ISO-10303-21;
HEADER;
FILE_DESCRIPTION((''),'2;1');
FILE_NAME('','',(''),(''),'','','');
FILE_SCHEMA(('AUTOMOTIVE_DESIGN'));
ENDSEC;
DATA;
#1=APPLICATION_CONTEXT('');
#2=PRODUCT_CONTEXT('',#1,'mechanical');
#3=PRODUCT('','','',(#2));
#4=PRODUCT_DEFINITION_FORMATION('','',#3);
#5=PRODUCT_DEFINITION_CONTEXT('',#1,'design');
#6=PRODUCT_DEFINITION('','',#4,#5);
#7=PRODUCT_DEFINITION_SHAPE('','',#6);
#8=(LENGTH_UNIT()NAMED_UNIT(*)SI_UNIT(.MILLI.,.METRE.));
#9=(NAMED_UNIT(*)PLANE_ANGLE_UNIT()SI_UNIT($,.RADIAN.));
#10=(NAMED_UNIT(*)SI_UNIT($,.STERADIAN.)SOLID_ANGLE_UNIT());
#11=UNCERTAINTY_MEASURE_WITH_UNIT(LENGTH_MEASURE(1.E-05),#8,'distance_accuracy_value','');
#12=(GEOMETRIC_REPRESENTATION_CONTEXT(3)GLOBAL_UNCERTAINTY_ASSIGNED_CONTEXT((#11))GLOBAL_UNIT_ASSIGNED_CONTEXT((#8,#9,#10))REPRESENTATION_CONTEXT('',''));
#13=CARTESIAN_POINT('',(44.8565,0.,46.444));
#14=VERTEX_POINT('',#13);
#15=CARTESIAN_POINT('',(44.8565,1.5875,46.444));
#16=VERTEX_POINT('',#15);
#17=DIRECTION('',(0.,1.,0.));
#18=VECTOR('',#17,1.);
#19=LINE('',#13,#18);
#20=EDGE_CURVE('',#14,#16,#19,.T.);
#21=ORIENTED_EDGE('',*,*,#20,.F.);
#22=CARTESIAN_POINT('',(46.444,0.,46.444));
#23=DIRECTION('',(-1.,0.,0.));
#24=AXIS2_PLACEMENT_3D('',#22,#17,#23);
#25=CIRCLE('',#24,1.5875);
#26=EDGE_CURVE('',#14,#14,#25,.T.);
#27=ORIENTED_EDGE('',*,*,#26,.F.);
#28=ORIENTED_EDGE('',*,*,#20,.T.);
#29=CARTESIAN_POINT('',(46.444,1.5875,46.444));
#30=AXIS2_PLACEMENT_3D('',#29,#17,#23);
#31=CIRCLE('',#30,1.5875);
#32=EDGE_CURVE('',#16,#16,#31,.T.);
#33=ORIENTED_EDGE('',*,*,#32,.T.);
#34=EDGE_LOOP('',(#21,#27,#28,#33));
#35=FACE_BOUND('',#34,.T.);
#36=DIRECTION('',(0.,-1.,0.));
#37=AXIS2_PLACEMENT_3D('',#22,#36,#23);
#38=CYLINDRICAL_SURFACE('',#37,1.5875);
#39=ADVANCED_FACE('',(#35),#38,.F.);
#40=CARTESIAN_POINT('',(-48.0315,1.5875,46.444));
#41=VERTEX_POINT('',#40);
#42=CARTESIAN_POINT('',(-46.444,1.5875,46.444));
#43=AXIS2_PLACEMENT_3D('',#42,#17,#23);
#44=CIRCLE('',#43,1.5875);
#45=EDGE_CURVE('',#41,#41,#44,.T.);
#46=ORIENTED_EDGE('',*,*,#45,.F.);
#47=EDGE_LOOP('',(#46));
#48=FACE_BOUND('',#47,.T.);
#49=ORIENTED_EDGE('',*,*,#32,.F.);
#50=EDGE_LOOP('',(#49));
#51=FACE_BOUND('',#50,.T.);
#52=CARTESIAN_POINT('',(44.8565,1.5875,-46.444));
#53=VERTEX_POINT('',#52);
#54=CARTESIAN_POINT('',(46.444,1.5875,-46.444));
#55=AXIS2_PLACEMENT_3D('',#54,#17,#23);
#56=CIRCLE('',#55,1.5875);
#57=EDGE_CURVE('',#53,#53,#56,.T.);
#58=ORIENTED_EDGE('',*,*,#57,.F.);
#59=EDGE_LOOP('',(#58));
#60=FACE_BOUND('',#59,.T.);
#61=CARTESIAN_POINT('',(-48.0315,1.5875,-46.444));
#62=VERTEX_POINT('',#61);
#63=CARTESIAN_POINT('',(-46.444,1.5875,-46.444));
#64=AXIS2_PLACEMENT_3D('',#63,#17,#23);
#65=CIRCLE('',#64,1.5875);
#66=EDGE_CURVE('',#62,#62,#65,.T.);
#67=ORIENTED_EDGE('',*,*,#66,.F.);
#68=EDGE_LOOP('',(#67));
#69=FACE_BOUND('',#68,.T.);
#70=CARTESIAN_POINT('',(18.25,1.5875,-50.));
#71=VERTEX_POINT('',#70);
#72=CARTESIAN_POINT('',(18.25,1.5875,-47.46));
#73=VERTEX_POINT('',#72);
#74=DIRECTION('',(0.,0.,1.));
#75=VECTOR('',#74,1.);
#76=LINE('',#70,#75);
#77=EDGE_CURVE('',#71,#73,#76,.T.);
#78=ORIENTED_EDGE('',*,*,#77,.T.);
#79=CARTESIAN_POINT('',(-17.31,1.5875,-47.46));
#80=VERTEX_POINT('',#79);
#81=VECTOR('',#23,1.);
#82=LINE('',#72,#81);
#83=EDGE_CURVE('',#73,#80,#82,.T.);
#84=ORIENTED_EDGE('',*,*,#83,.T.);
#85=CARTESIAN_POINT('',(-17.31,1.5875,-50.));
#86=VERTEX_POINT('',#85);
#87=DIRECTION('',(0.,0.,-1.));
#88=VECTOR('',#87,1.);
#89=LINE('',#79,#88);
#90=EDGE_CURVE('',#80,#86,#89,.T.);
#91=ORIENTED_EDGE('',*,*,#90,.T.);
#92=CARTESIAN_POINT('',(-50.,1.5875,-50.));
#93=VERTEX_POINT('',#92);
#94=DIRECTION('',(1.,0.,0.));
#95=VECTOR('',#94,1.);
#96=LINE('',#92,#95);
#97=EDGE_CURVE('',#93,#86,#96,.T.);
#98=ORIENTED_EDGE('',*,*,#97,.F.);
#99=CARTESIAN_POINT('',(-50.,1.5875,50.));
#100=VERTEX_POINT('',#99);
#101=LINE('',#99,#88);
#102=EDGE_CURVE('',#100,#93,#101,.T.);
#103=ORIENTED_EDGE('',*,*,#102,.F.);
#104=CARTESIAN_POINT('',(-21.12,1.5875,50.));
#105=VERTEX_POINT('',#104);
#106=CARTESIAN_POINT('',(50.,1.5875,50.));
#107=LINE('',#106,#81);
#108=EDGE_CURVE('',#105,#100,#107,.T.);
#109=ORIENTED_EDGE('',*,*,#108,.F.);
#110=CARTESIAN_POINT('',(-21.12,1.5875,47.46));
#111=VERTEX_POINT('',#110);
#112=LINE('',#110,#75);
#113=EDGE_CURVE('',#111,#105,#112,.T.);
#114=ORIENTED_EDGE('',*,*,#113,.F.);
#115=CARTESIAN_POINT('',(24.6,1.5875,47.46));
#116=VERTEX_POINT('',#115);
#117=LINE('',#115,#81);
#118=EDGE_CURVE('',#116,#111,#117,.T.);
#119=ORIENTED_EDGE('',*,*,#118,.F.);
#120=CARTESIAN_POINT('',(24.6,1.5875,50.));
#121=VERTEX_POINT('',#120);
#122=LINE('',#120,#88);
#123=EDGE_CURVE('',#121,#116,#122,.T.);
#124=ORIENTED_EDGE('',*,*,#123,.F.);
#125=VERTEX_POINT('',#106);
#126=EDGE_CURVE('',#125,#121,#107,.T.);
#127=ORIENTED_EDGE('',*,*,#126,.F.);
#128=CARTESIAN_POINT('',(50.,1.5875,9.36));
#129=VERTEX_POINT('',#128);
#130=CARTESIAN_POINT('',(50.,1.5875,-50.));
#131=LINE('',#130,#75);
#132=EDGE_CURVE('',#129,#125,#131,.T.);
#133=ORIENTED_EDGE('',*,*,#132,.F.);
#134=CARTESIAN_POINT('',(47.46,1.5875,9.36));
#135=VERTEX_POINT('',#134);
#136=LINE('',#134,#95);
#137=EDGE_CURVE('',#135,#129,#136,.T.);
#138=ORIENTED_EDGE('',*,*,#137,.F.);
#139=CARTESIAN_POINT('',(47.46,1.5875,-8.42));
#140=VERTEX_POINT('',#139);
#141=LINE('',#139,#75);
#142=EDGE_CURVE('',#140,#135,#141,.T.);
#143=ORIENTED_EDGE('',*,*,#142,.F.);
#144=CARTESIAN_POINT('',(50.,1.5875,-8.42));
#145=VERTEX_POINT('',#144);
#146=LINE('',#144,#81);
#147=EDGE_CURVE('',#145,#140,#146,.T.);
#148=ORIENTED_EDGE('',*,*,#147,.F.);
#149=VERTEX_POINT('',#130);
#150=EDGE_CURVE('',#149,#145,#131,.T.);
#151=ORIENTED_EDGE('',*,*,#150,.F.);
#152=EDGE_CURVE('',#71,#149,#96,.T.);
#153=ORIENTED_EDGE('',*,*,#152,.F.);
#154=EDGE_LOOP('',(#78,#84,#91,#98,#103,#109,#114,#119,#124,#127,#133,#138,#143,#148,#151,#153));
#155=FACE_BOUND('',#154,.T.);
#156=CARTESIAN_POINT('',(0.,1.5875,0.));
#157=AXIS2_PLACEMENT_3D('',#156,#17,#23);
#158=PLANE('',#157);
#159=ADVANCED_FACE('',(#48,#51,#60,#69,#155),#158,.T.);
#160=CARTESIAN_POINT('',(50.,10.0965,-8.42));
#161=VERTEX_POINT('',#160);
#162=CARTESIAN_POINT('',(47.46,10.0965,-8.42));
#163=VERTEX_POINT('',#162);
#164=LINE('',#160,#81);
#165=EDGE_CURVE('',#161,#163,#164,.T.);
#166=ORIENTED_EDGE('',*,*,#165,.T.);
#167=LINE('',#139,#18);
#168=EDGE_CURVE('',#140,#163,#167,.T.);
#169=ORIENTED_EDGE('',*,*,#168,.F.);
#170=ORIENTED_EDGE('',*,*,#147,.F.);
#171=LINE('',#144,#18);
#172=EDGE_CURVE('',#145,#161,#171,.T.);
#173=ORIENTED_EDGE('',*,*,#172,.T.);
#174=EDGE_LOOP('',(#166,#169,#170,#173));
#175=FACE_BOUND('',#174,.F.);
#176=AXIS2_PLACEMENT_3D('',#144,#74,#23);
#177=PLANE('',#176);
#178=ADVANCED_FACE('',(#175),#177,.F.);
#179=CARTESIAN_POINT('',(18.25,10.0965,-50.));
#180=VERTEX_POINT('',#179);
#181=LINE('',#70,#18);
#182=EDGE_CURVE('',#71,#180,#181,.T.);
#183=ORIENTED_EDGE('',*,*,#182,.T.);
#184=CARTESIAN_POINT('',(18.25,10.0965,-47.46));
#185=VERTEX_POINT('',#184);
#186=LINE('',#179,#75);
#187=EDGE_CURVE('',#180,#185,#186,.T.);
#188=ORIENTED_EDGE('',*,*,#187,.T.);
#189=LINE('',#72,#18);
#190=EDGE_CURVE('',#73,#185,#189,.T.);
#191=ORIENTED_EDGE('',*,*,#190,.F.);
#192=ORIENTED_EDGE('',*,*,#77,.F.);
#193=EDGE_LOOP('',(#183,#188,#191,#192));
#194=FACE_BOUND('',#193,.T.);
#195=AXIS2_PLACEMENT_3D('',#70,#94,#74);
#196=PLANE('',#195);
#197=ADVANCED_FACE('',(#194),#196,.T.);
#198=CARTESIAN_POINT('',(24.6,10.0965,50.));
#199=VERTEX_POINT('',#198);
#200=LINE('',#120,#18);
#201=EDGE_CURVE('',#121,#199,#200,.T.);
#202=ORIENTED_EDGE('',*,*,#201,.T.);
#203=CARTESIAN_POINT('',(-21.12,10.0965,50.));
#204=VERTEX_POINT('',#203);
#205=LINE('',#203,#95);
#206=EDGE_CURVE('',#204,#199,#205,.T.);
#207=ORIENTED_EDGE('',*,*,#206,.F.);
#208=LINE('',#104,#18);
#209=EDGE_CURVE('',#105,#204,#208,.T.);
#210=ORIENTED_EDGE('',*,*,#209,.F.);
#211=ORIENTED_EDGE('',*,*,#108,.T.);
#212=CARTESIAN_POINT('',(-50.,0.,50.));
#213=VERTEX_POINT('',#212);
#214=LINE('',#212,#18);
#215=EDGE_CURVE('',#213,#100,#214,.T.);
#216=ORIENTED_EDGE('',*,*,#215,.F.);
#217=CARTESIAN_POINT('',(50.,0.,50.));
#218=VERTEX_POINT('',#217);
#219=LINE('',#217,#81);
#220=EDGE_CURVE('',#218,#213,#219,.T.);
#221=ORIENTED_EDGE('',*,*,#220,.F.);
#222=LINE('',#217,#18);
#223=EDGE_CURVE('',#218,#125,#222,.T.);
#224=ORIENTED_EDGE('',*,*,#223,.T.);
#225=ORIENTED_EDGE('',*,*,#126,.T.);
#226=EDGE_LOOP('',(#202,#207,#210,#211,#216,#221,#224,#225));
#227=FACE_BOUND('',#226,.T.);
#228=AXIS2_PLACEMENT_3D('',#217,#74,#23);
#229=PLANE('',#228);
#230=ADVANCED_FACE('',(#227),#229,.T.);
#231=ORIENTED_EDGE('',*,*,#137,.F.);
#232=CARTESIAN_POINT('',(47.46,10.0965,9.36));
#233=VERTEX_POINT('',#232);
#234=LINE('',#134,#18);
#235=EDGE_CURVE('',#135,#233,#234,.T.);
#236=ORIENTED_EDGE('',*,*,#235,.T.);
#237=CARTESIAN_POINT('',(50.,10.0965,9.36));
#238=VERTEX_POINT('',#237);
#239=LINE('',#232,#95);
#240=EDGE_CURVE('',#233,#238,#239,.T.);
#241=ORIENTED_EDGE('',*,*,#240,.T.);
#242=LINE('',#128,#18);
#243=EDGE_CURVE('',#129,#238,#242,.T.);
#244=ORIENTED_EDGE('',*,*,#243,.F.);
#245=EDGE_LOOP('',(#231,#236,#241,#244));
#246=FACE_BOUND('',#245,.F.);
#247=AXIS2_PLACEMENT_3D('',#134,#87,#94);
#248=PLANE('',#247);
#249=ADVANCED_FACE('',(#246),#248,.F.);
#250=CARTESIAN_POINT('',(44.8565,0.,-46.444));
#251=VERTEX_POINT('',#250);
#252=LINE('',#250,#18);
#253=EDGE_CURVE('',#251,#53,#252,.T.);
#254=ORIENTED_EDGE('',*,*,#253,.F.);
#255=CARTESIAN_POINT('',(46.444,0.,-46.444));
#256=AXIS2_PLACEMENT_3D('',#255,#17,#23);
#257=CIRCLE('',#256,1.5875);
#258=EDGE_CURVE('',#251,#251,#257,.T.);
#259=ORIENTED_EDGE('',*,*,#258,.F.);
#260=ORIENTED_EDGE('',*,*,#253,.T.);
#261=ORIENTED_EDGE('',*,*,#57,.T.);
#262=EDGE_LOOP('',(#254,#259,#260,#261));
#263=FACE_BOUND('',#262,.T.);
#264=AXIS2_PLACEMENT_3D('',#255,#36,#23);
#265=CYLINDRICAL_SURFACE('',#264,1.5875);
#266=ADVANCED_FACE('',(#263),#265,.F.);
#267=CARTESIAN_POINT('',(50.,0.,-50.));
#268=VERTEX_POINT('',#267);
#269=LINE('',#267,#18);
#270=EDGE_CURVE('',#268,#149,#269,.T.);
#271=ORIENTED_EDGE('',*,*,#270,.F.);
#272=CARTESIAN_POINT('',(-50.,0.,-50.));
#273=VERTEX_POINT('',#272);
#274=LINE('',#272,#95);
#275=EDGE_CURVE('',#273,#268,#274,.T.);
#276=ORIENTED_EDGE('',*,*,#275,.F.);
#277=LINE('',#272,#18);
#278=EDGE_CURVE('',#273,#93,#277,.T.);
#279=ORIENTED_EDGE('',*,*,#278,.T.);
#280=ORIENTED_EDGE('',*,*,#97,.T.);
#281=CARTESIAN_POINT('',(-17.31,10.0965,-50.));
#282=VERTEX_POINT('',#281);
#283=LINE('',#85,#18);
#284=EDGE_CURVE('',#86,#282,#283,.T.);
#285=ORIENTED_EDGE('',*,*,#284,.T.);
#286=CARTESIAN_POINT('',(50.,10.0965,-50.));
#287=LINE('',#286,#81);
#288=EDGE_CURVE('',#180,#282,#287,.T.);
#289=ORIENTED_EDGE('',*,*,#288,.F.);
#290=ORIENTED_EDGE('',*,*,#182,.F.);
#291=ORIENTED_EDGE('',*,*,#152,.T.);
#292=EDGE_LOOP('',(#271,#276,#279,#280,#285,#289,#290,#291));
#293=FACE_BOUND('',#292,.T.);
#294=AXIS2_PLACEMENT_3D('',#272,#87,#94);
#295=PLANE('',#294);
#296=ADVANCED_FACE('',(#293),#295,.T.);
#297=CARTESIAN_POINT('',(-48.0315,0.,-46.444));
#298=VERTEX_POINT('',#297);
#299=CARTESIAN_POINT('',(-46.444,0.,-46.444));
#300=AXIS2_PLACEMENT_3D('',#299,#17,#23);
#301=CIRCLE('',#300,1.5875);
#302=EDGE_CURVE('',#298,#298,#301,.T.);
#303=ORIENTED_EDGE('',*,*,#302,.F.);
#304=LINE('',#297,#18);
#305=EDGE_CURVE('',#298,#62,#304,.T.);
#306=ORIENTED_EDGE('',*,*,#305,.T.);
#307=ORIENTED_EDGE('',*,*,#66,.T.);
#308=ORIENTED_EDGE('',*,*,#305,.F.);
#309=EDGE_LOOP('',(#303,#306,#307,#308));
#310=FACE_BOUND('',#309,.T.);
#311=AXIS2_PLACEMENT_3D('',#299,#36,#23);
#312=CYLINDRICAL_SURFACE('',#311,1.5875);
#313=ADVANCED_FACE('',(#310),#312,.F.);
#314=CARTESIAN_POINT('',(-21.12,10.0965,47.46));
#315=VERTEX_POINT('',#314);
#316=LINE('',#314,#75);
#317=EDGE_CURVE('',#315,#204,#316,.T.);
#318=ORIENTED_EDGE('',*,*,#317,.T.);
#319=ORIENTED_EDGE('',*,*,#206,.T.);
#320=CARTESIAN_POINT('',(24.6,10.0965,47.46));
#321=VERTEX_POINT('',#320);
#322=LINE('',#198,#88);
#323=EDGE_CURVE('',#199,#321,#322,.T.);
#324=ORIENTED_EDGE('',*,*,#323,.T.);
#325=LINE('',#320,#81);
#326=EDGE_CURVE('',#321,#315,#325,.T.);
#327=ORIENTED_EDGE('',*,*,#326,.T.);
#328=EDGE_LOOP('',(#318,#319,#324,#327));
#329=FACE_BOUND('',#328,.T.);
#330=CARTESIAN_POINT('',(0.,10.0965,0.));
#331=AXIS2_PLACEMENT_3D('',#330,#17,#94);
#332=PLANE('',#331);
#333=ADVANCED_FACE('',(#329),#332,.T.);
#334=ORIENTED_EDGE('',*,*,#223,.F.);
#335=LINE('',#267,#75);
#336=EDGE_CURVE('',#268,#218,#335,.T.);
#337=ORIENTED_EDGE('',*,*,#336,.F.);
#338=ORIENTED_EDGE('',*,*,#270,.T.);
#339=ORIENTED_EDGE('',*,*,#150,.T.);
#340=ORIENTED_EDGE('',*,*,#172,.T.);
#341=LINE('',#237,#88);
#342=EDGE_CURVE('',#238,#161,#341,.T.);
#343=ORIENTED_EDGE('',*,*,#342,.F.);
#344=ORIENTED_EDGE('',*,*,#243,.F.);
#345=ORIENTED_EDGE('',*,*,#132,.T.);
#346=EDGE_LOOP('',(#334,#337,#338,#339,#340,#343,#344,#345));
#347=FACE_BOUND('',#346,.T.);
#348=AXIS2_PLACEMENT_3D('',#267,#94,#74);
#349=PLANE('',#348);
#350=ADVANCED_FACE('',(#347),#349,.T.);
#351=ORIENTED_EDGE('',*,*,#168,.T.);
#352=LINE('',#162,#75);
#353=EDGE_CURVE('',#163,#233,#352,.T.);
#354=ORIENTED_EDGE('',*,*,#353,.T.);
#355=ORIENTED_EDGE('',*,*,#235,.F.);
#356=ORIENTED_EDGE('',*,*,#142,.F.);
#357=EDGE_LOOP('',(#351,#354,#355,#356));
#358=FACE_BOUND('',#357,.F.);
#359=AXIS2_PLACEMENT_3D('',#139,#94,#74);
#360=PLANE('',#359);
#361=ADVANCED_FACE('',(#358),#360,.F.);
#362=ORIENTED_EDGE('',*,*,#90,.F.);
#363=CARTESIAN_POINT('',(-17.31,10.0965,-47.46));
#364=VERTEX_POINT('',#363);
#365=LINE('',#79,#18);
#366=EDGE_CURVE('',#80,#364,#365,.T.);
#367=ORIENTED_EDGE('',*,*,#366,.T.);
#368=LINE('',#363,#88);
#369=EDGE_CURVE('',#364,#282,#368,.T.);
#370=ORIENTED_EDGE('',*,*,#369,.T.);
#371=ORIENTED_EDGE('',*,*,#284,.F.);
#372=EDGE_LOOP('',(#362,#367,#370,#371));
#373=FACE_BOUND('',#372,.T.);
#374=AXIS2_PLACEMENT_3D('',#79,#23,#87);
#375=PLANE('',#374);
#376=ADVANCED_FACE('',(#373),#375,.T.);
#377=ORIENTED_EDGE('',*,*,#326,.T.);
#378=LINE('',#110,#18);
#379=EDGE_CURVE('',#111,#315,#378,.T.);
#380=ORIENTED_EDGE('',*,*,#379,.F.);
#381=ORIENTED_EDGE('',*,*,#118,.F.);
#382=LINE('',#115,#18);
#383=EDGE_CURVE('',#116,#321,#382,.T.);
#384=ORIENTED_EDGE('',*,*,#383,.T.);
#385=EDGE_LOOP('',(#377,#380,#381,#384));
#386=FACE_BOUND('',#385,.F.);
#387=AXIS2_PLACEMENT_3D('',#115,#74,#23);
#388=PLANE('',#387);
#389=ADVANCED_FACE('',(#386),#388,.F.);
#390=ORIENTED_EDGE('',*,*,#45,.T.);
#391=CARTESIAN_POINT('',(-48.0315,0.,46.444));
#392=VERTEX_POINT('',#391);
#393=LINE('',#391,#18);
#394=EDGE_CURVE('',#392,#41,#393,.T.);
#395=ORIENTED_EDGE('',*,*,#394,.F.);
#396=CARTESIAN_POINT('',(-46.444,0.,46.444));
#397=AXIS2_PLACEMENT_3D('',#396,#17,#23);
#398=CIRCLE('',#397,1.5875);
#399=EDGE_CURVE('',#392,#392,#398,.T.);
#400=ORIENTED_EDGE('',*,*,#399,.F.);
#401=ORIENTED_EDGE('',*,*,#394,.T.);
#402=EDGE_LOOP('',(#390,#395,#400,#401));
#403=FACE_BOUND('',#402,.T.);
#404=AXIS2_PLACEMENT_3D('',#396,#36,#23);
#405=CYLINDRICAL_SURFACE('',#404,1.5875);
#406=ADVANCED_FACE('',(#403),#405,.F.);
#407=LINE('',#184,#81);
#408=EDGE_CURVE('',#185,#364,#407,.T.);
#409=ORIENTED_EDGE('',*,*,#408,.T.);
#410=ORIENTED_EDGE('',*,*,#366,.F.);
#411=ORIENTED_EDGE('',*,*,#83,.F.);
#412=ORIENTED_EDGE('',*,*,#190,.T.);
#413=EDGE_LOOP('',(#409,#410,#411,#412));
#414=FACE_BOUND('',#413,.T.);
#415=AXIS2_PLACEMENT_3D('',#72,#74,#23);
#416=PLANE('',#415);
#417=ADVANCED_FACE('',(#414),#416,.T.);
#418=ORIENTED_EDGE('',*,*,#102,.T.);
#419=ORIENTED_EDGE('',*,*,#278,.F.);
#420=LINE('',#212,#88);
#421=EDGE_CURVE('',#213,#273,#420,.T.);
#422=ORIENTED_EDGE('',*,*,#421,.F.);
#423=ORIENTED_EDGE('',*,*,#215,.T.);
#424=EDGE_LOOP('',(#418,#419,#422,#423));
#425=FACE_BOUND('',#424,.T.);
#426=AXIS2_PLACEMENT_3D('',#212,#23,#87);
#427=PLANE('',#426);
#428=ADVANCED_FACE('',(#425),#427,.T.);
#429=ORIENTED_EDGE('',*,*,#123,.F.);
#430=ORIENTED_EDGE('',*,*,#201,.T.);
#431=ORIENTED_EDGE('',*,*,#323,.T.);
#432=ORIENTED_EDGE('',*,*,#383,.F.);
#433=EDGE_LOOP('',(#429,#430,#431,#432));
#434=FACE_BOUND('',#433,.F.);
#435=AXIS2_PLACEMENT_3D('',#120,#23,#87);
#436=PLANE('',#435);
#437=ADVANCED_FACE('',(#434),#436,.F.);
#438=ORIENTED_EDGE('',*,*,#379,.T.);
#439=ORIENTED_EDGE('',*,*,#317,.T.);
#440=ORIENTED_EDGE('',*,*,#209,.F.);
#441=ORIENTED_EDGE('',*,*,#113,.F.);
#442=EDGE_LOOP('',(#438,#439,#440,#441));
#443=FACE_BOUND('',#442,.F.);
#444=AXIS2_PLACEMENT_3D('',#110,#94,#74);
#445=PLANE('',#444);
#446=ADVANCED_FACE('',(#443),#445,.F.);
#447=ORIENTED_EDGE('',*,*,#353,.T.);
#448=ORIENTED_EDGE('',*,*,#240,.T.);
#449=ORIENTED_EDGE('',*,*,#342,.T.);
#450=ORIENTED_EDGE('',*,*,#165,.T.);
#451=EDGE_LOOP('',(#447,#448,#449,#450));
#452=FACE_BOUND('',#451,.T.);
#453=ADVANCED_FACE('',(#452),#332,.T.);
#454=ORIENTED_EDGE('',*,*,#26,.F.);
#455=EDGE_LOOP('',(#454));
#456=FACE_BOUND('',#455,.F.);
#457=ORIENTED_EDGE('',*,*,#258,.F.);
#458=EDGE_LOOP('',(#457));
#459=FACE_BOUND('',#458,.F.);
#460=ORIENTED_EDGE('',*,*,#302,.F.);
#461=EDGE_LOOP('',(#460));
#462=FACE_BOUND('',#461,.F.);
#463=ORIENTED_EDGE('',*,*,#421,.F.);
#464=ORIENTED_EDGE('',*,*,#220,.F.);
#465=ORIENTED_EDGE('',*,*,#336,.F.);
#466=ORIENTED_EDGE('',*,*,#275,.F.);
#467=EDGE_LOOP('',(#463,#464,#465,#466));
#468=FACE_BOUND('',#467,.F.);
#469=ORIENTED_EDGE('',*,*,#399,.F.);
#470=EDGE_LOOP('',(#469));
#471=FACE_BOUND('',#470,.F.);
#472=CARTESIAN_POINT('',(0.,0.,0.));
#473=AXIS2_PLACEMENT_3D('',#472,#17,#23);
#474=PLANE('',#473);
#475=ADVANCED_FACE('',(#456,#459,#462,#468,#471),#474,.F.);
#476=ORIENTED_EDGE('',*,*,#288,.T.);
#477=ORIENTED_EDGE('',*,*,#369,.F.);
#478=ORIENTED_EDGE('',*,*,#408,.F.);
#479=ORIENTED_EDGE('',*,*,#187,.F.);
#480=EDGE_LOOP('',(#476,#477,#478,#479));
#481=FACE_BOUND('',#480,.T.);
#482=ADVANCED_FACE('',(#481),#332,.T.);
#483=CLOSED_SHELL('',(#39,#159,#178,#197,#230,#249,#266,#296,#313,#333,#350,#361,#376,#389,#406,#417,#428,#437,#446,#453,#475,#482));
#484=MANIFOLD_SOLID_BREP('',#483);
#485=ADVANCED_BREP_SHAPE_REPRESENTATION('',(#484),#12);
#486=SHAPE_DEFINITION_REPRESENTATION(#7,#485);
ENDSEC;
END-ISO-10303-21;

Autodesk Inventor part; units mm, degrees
ref_plane "YZ Plane" through (0, 0, 0) normal (1, 0, 0) x (0, 1, 0)
ref_plane "XZ Plane" through (0, 0, 0) normal (0, 1, 0) x (-1, 0, 0)
ref_plane "XY Plane" through (0, 0, 0) normal (0, 0, 1) x (1, 0, 0)
sketch "Sketch1" plane through (0, 0, 0) normal (0, 1, 0) x (-1, 0, 0)
  line L0 (-50, 50) -> (50, 50)
  line L1 (50, 50) -> (50, -50)
  line L2 (50, -50) -> (-50, -50)
  line L3 (-50, -50) -> (-50, 50)
  line L4 (-50, 50) -> (50, -50) construction
  line L5 (50, 50) -> (-50, -50) construction
  circle A0 centre (46.444, 46.444) radius 1.5875
  circle A1 centre (46.444, -46.444) radius 1.5875
  circle A2 centre (-46.444, -46.444) radius 1.5875
  circle A3 centre (-46.444, 46.444) radius 1.5875
  point P0 (0, 0)
  dimension "d0" = 100
  dimension "d1" = 100
  dimension "d2" = 3.175
  dimension "d3" = 3.175
  dimension "d4" = 3.175
  dimension "d5" = 3.175
  dimension "d6" = 3.556
  dimension "d7" = 3.556
  dimension "d8" = 3.556
  dimension "d9" = 3.556
extrude "Extrusion1" add sketch "Sketch1" along normal blind 1.5875
sketch "Sketch2" plane through (0, 1.5875, 0) normal (0, 1, 0) x (1, 0, 0)
  line L0 (-21.12, -50) -> (24.6, -50)
  line L1 (24.6, -50) -> (24.6, -47.46)
  line L2 (24.6, -47.46) -> (-21.12, -47.46)
  line L3 (-21.12, -47.46) -> (-21.12, -50)
  line L4 (50, 50) -> (-50, 50) projected
  line L5 (-17.31, 50) -> (18.25, 50)
  line L6 (18.25, 50) -> (18.25, 47.46)
  line L7 (18.25, 47.46) -> (-17.31, 47.46)
  line L8 (-17.31, 47.46) -> (-17.31, 50)
  line L9 (50, 8.42) -> (47.46, 8.42)
  line L10 (47.46, 8.42) -> (47.46, -9.36)
  line L11 (47.46, -9.36) -> (50, -9.36)
  line L12 (50, -9.36) -> (50, 8.42)
  line L13 (50, -50) -> (50, 50) projected
  line L14 (-50, -50) -> (50, -50) projected
  point P0 (0, 0)
  dimension "d12" = 2.54
  dimension "d13" = 2.54
  dimension "d14" = 2.54
  dimension "d15" = 0
  dimension "d16" = 0
  dimension "d17" = 25.4
  dimension "d18" = 45.72
  dimension "d19" = 17.78
  dimension "d20" = 35.56
  dimension "d21" = 40.64
  dimension "d22" = 31.75
extrude "Extrusion2" add sketch "Sketch2" along normal blind 8.509
properties part number "Board"
